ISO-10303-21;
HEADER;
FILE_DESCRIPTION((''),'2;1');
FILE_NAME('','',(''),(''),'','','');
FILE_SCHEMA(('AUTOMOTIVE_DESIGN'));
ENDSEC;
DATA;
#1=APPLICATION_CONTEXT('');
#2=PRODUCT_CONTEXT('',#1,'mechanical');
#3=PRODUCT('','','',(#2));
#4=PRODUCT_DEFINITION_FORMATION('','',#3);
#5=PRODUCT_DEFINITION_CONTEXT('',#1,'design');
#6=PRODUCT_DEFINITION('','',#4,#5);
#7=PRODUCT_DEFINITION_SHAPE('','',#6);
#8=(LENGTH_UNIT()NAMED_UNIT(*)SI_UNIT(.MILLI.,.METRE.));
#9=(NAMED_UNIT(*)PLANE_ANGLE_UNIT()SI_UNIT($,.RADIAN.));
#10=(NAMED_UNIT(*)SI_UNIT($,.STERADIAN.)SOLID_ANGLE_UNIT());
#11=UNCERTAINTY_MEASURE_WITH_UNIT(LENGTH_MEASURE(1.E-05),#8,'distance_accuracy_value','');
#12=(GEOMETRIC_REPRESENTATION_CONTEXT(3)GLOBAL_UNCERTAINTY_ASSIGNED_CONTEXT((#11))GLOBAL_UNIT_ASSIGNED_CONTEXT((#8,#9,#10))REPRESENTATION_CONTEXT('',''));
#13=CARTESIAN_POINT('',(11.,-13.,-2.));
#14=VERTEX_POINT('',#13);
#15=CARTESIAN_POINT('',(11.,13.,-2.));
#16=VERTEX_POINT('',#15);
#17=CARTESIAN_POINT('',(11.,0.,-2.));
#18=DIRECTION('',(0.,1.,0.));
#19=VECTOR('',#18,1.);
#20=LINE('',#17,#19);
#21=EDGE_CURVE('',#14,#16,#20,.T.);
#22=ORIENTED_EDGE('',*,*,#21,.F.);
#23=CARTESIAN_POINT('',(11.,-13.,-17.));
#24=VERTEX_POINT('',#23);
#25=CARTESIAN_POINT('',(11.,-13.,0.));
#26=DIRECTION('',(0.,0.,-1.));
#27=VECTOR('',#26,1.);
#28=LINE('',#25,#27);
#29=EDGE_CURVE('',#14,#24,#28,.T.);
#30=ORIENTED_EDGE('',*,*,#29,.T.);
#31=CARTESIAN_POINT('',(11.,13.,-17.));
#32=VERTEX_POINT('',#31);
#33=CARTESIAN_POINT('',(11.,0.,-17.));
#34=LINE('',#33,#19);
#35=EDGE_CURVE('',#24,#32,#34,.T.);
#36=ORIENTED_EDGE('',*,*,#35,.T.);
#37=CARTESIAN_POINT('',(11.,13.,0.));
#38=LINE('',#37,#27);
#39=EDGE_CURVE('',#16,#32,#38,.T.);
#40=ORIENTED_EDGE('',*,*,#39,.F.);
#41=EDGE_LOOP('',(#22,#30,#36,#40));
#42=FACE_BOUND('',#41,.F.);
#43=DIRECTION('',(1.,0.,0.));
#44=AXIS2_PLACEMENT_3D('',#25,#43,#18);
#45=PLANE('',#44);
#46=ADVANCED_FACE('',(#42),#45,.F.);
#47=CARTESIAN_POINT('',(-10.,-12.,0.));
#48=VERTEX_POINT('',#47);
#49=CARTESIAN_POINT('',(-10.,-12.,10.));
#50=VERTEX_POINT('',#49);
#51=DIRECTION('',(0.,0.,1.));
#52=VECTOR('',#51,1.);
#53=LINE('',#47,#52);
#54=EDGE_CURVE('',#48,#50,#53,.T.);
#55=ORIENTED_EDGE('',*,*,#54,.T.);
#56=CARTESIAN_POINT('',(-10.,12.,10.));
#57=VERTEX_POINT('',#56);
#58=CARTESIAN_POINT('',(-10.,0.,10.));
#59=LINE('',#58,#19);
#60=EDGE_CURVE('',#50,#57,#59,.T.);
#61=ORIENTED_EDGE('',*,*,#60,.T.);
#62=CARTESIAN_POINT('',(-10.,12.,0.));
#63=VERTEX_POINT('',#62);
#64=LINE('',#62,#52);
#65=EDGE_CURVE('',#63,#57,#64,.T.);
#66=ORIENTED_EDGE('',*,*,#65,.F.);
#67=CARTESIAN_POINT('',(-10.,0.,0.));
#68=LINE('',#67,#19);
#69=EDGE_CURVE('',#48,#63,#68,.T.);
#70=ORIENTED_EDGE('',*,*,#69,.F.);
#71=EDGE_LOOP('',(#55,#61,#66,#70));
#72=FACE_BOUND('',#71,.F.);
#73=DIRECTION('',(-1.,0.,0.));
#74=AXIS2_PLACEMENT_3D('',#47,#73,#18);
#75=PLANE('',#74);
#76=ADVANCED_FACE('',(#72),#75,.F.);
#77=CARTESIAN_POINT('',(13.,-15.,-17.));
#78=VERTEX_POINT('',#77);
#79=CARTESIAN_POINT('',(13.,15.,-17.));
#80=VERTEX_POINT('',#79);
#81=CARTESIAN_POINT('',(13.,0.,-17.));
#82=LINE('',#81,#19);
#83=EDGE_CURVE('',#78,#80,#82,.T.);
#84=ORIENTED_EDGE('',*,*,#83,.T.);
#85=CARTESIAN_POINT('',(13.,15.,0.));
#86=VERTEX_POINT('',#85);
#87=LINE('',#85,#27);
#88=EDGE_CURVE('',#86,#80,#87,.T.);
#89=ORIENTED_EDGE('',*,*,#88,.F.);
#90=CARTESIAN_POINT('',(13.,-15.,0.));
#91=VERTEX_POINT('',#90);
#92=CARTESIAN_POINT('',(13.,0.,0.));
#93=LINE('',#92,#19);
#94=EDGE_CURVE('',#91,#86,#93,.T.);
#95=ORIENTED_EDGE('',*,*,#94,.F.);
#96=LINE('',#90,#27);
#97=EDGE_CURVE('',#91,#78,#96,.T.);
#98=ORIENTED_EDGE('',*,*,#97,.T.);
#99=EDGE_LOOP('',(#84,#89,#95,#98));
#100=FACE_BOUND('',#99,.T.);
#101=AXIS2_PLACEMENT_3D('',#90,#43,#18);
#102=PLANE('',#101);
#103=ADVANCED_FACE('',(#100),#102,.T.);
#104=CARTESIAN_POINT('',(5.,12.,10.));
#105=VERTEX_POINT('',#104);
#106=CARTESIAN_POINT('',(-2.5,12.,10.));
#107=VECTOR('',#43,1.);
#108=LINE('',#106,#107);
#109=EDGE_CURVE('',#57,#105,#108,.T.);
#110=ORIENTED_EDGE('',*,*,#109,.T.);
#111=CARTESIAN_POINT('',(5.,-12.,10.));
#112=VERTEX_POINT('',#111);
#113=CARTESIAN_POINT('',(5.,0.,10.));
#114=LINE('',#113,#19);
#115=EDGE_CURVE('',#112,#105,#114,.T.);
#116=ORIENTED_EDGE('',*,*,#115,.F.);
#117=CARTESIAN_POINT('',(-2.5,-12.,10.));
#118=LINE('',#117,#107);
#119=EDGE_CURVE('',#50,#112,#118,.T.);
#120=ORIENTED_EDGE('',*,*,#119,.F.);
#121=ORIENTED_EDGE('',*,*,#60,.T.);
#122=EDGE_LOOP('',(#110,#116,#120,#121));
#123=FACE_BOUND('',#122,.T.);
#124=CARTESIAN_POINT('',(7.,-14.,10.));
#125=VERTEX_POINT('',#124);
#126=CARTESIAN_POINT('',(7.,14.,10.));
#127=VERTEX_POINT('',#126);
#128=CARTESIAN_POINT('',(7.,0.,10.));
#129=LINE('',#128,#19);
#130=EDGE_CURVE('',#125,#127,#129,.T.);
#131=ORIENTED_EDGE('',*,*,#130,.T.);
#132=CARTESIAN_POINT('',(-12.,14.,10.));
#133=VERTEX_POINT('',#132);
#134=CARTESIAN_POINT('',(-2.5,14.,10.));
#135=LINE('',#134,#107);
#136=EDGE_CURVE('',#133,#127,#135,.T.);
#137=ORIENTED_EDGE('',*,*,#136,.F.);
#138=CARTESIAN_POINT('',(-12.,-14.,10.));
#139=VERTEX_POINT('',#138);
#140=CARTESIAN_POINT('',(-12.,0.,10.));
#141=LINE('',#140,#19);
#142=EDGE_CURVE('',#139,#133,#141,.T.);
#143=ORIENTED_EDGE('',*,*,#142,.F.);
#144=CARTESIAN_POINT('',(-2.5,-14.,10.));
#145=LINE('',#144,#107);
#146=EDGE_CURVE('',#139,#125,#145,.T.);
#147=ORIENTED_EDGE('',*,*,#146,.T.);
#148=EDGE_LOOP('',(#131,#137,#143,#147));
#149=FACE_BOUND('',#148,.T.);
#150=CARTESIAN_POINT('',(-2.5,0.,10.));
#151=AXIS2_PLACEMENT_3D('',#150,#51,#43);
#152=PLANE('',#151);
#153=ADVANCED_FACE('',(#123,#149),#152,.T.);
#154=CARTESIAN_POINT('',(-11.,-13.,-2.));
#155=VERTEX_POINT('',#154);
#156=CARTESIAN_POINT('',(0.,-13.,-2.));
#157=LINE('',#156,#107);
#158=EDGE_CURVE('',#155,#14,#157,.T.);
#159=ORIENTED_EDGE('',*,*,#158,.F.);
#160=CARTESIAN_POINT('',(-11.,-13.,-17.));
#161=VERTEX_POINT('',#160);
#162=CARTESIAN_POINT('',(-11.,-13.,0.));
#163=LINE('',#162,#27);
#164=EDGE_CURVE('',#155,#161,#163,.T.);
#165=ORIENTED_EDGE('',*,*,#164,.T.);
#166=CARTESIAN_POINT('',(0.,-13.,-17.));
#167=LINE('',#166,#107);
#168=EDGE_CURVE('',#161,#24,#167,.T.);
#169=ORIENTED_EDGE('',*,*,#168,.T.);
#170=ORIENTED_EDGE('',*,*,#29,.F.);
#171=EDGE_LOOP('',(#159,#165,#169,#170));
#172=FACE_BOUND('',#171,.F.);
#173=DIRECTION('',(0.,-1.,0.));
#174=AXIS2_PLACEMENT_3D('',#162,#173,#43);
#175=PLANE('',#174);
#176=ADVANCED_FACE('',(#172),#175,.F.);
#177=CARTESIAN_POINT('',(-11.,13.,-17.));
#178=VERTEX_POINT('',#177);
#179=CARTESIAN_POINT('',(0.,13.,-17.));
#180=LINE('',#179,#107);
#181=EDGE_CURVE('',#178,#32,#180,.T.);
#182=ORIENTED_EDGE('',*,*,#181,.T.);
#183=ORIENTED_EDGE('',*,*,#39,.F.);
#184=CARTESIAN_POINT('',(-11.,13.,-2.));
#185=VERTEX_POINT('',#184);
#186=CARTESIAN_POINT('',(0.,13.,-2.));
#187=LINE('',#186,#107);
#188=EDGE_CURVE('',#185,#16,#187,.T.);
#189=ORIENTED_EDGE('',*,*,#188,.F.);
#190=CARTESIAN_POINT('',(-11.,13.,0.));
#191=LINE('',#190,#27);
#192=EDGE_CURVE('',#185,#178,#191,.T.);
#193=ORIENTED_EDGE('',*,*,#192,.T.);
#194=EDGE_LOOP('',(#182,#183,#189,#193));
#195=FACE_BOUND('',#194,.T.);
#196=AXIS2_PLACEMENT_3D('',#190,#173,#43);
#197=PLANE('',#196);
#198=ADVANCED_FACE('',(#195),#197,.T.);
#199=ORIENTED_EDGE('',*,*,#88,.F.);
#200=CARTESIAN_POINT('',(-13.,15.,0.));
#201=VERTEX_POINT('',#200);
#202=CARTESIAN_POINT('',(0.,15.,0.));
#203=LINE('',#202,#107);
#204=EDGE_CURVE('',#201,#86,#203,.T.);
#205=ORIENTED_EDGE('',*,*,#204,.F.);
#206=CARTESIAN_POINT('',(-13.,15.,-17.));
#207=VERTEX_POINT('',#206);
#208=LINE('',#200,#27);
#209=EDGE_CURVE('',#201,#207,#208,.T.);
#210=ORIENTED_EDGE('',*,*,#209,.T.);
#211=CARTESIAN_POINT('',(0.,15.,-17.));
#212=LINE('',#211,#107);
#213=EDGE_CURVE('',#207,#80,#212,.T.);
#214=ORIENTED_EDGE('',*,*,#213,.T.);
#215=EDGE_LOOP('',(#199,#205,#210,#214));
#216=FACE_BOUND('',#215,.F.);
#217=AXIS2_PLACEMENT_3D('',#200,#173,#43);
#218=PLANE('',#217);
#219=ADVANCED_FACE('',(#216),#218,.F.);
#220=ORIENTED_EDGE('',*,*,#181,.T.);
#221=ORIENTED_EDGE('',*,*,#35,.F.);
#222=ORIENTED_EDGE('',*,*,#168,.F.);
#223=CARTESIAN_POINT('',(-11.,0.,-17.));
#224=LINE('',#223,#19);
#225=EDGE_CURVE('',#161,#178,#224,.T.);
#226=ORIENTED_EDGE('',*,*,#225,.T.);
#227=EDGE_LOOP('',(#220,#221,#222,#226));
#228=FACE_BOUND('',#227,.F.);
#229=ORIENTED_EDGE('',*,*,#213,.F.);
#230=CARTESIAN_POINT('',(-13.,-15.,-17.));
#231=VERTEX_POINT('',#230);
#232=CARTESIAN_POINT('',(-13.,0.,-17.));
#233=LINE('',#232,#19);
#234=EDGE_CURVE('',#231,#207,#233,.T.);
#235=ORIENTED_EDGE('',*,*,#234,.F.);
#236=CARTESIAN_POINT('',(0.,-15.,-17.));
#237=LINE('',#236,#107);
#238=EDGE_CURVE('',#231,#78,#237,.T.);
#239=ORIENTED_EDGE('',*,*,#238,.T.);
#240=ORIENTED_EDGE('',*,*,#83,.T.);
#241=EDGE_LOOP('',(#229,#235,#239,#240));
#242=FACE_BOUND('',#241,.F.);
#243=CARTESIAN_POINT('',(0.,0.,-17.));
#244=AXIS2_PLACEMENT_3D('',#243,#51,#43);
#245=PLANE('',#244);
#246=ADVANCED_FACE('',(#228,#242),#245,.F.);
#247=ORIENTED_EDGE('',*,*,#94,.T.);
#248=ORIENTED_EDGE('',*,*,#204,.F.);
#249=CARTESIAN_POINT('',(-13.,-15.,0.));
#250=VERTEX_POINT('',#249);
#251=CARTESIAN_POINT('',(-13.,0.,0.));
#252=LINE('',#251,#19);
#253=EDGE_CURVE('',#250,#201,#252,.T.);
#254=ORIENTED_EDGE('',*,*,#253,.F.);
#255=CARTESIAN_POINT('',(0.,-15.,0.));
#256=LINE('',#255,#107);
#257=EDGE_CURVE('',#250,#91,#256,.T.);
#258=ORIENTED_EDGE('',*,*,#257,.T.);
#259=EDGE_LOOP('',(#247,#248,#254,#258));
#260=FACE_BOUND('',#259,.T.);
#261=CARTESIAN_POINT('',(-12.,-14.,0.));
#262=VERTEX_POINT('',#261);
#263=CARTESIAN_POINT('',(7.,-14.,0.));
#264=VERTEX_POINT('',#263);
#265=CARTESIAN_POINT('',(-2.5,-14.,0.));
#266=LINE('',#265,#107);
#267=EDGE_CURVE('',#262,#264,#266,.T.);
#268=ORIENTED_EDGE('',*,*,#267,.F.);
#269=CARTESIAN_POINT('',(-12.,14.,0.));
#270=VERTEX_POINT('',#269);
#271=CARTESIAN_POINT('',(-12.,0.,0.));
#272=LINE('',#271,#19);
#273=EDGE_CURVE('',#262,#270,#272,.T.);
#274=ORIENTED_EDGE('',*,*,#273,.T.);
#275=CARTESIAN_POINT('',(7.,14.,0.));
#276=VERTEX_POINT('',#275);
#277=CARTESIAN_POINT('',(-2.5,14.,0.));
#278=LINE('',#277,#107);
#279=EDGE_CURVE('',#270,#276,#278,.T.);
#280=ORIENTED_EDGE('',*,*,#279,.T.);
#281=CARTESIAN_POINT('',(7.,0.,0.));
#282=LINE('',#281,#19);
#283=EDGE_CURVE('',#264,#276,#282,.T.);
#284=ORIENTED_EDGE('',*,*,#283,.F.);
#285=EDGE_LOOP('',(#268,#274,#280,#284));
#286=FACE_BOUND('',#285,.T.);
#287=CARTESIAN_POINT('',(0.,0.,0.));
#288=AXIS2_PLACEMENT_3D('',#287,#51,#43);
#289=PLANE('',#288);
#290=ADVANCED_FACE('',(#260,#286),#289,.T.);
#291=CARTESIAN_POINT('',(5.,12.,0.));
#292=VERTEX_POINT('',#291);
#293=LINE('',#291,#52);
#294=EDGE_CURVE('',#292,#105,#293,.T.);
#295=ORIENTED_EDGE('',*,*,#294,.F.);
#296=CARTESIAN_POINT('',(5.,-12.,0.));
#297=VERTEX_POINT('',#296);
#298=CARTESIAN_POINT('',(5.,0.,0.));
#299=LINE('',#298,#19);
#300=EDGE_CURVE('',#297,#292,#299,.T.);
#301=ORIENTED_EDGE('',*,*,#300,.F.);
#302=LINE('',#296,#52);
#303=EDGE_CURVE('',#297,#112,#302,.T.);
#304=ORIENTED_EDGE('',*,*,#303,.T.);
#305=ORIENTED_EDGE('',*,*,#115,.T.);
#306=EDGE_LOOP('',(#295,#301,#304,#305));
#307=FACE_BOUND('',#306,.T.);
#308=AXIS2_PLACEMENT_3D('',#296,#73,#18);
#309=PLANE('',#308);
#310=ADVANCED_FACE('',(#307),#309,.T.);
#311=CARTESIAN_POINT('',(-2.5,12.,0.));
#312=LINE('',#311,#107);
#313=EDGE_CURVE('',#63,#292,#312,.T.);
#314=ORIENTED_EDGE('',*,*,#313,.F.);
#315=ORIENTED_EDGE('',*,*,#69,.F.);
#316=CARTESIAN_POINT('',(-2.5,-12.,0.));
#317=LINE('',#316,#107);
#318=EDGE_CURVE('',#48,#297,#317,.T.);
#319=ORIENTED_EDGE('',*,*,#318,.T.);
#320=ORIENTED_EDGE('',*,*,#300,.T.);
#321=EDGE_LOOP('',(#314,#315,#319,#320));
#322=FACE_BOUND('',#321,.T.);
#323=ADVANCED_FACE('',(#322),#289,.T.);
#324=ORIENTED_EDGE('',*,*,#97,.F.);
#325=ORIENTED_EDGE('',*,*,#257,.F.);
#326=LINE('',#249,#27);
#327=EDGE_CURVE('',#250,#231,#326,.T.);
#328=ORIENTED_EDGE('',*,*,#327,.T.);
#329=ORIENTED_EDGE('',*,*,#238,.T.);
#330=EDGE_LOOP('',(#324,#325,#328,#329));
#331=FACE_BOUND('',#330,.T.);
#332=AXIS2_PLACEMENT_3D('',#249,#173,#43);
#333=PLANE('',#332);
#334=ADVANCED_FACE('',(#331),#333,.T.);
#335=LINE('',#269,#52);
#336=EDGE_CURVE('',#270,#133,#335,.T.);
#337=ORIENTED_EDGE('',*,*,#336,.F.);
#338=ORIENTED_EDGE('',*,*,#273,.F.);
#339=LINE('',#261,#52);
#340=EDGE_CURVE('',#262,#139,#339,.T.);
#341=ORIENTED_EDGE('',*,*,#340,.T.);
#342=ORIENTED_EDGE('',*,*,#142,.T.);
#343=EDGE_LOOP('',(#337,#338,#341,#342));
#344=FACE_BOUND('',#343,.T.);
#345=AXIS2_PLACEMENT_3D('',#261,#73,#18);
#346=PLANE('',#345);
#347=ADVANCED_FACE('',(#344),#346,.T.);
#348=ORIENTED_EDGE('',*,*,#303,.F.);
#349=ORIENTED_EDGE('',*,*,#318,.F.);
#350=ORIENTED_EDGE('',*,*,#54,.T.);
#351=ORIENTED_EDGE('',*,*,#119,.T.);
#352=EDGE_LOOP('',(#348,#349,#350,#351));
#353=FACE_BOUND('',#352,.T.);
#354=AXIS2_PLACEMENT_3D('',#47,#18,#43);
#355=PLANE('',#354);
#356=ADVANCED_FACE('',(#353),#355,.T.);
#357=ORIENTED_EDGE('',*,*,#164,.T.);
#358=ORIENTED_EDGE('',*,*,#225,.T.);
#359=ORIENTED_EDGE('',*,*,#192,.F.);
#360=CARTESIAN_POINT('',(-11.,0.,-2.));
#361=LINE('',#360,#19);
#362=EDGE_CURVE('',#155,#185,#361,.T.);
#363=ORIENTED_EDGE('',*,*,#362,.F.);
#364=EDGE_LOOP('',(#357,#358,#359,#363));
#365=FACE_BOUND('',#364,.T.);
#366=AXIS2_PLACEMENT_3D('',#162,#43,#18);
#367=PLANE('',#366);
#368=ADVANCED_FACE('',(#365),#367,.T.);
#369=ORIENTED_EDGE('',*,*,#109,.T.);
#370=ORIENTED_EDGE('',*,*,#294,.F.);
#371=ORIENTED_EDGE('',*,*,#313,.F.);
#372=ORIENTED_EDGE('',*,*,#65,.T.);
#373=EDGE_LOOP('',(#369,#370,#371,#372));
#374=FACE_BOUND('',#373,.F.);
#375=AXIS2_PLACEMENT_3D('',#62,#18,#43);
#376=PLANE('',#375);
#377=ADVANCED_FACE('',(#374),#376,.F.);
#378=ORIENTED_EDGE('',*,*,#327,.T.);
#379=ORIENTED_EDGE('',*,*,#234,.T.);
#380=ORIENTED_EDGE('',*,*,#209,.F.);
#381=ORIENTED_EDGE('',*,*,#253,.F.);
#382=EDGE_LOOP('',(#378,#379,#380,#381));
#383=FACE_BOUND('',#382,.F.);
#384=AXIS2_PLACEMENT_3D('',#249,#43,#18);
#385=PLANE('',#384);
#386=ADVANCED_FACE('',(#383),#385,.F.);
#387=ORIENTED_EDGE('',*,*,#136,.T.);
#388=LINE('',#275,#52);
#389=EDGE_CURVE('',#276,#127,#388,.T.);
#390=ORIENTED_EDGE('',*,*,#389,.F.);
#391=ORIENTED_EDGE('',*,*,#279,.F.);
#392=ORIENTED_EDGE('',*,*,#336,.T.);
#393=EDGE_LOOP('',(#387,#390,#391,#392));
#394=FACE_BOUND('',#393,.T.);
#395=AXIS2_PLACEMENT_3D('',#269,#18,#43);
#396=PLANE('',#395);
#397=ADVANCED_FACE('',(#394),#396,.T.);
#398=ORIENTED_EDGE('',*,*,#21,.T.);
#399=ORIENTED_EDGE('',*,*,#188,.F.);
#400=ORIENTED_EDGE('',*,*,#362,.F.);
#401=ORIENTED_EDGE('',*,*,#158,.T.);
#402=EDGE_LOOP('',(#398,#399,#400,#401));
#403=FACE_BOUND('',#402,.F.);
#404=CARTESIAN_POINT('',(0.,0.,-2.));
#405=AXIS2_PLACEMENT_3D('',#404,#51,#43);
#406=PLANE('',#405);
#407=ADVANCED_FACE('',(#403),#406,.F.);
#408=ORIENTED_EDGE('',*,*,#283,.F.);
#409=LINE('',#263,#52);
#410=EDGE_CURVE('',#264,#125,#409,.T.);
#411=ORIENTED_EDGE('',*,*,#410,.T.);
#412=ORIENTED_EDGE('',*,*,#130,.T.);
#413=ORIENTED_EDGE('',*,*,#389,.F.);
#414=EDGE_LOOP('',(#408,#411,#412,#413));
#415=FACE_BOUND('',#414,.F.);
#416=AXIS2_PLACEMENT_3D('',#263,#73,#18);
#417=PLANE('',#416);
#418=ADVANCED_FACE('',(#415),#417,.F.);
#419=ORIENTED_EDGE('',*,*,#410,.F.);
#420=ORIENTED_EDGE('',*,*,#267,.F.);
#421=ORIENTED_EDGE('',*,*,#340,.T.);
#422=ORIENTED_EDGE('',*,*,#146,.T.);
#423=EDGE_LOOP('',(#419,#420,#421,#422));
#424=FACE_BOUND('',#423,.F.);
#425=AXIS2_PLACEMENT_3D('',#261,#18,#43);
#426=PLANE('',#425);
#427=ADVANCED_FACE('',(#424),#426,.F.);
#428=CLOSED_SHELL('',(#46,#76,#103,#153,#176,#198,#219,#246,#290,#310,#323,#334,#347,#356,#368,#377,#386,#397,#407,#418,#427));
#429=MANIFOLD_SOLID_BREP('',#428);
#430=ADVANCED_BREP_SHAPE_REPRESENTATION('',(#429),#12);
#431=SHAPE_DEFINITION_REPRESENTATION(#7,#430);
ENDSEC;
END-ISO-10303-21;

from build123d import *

# Parameters (mm, degrees)
F0_W     = 26
F0_H     = 30
F0_W_2   = 22
F0_H_2   = 26
F1_DEPTH = 17
F2_DEPTH = 2
F3_W     = 19
F3_H     = 28
F3_W_2   = 15
F3_H_2   = 24
F4_DEPTH = 10


with BuildPart() as f1:
    # F0 (on Top) → F1 (new body)
    with BuildSketch(Plane.XY):
        Rectangle(F0_W, F0_H)
        Rectangle(F0_W_2, F0_H_2, mode=Mode.SUBTRACT)
    extrude(amount=-F1_DEPTH)

    # F0 (on Top) → F2 (join)
    with BuildSketch(Plane.XY):
        Rectangle(F0_W_2, F0_H_2)
    extrude(amount=-F2_DEPTH)

    # F3 (on Top) → F4 (join)
    with BuildSketch(Plane.XY):
        with Locations((-2.5, 0)):
            Rectangle(F3_W, F3_H)
        with Locations((-2.5, 0)):
            Rectangle(F3_W_2, F3_H_2, mode=Mode.SUBTRACT)
    extrude(amount=F4_DEPTH)


solid = f1.part
